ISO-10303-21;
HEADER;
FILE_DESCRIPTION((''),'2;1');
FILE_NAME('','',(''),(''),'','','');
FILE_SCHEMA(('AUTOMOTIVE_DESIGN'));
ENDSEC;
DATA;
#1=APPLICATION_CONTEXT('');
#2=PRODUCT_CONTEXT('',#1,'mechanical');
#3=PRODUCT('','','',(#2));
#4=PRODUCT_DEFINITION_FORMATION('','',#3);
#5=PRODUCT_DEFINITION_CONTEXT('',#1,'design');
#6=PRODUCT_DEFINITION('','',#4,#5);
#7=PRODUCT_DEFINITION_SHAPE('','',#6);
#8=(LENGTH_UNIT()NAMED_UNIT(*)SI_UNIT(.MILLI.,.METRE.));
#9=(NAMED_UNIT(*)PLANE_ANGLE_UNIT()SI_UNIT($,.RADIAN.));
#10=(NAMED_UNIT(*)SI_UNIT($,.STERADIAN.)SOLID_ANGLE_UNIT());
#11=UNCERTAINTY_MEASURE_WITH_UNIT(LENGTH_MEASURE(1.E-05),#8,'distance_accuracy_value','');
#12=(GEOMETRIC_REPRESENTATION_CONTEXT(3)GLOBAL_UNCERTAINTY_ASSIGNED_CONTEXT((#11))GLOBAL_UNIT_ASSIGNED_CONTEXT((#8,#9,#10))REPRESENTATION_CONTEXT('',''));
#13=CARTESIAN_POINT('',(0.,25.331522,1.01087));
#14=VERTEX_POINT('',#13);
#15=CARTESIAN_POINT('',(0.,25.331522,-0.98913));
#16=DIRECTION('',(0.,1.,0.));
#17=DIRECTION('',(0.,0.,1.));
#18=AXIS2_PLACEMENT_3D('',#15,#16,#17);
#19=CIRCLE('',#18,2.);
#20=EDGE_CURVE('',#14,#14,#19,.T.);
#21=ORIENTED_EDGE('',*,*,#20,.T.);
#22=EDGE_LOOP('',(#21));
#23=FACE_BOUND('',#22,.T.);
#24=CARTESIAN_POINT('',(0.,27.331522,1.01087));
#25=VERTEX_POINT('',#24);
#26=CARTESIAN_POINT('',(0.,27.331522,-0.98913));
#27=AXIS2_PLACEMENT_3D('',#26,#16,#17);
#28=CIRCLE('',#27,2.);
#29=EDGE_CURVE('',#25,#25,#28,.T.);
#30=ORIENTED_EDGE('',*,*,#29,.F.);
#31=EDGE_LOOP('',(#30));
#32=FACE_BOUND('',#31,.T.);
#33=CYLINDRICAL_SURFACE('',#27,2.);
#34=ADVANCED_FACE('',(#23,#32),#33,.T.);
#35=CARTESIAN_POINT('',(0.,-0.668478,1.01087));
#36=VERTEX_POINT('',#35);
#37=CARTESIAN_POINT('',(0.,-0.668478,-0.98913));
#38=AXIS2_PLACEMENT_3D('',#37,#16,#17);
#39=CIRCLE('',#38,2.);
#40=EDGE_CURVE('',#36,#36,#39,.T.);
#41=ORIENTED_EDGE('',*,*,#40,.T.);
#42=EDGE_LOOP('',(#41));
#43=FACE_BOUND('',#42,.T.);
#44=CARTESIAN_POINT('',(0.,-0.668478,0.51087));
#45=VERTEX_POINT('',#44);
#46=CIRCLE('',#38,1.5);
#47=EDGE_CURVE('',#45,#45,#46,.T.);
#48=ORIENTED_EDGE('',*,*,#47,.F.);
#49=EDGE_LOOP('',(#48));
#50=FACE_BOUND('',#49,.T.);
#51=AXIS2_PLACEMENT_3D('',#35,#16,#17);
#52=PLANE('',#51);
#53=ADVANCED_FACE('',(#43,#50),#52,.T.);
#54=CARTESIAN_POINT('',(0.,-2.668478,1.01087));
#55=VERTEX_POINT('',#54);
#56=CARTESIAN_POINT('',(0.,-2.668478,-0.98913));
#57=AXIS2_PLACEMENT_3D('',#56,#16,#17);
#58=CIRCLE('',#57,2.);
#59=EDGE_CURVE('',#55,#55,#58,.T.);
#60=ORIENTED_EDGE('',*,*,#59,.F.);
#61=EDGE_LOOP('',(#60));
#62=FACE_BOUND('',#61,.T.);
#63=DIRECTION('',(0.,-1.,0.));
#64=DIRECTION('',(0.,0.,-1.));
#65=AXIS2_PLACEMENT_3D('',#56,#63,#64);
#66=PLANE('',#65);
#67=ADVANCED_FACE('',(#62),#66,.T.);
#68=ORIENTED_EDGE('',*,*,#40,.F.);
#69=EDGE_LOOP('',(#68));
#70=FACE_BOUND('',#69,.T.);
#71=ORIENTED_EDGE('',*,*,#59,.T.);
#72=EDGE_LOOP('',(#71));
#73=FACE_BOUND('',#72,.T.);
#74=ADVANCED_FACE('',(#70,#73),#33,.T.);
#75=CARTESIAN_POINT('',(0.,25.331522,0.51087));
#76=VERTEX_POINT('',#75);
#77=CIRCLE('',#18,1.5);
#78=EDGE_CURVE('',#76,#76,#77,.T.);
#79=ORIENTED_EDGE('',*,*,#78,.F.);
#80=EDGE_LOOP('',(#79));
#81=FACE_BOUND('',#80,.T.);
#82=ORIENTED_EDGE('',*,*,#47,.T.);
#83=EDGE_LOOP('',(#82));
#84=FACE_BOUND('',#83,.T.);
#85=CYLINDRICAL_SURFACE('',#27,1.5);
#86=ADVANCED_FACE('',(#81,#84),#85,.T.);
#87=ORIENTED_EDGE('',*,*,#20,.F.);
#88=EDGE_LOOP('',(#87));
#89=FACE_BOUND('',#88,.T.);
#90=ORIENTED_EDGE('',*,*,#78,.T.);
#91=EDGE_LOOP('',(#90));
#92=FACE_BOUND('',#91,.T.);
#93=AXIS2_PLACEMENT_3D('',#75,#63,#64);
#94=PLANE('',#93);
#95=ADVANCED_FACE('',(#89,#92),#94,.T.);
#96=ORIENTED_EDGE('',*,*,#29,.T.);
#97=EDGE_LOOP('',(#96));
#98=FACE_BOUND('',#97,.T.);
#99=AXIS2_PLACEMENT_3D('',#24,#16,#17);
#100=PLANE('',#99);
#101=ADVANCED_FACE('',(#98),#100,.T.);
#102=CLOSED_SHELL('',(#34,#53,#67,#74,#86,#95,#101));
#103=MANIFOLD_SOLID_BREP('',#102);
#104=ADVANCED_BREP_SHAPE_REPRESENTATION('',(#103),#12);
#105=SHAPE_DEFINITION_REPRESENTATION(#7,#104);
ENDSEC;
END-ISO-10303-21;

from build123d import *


with BuildPart() as part:
    # Sketch2 → Revolve1 (revolve)
    with BuildSketch(Plane(origin=(0, 0, 0), x_dir=(0, 0, -1), z_dir=(1, 0, 0))):
        Polygon((0.989130435, 27.331521739), (0.989130435, -2.668478261), (-1.010869565, -2.668478261), (-1.010869565, -0.668478261), (-0.510869565, -0.668478261), (-0.510869565, 25.331521739), (-1.010869565, 25.331521739), (-1.010869565, 27.331521739), align=None)
    revolve(axis=Axis((0, 27.331521739, -0.989130435), (0, -1, 0)))


solid = part.part
